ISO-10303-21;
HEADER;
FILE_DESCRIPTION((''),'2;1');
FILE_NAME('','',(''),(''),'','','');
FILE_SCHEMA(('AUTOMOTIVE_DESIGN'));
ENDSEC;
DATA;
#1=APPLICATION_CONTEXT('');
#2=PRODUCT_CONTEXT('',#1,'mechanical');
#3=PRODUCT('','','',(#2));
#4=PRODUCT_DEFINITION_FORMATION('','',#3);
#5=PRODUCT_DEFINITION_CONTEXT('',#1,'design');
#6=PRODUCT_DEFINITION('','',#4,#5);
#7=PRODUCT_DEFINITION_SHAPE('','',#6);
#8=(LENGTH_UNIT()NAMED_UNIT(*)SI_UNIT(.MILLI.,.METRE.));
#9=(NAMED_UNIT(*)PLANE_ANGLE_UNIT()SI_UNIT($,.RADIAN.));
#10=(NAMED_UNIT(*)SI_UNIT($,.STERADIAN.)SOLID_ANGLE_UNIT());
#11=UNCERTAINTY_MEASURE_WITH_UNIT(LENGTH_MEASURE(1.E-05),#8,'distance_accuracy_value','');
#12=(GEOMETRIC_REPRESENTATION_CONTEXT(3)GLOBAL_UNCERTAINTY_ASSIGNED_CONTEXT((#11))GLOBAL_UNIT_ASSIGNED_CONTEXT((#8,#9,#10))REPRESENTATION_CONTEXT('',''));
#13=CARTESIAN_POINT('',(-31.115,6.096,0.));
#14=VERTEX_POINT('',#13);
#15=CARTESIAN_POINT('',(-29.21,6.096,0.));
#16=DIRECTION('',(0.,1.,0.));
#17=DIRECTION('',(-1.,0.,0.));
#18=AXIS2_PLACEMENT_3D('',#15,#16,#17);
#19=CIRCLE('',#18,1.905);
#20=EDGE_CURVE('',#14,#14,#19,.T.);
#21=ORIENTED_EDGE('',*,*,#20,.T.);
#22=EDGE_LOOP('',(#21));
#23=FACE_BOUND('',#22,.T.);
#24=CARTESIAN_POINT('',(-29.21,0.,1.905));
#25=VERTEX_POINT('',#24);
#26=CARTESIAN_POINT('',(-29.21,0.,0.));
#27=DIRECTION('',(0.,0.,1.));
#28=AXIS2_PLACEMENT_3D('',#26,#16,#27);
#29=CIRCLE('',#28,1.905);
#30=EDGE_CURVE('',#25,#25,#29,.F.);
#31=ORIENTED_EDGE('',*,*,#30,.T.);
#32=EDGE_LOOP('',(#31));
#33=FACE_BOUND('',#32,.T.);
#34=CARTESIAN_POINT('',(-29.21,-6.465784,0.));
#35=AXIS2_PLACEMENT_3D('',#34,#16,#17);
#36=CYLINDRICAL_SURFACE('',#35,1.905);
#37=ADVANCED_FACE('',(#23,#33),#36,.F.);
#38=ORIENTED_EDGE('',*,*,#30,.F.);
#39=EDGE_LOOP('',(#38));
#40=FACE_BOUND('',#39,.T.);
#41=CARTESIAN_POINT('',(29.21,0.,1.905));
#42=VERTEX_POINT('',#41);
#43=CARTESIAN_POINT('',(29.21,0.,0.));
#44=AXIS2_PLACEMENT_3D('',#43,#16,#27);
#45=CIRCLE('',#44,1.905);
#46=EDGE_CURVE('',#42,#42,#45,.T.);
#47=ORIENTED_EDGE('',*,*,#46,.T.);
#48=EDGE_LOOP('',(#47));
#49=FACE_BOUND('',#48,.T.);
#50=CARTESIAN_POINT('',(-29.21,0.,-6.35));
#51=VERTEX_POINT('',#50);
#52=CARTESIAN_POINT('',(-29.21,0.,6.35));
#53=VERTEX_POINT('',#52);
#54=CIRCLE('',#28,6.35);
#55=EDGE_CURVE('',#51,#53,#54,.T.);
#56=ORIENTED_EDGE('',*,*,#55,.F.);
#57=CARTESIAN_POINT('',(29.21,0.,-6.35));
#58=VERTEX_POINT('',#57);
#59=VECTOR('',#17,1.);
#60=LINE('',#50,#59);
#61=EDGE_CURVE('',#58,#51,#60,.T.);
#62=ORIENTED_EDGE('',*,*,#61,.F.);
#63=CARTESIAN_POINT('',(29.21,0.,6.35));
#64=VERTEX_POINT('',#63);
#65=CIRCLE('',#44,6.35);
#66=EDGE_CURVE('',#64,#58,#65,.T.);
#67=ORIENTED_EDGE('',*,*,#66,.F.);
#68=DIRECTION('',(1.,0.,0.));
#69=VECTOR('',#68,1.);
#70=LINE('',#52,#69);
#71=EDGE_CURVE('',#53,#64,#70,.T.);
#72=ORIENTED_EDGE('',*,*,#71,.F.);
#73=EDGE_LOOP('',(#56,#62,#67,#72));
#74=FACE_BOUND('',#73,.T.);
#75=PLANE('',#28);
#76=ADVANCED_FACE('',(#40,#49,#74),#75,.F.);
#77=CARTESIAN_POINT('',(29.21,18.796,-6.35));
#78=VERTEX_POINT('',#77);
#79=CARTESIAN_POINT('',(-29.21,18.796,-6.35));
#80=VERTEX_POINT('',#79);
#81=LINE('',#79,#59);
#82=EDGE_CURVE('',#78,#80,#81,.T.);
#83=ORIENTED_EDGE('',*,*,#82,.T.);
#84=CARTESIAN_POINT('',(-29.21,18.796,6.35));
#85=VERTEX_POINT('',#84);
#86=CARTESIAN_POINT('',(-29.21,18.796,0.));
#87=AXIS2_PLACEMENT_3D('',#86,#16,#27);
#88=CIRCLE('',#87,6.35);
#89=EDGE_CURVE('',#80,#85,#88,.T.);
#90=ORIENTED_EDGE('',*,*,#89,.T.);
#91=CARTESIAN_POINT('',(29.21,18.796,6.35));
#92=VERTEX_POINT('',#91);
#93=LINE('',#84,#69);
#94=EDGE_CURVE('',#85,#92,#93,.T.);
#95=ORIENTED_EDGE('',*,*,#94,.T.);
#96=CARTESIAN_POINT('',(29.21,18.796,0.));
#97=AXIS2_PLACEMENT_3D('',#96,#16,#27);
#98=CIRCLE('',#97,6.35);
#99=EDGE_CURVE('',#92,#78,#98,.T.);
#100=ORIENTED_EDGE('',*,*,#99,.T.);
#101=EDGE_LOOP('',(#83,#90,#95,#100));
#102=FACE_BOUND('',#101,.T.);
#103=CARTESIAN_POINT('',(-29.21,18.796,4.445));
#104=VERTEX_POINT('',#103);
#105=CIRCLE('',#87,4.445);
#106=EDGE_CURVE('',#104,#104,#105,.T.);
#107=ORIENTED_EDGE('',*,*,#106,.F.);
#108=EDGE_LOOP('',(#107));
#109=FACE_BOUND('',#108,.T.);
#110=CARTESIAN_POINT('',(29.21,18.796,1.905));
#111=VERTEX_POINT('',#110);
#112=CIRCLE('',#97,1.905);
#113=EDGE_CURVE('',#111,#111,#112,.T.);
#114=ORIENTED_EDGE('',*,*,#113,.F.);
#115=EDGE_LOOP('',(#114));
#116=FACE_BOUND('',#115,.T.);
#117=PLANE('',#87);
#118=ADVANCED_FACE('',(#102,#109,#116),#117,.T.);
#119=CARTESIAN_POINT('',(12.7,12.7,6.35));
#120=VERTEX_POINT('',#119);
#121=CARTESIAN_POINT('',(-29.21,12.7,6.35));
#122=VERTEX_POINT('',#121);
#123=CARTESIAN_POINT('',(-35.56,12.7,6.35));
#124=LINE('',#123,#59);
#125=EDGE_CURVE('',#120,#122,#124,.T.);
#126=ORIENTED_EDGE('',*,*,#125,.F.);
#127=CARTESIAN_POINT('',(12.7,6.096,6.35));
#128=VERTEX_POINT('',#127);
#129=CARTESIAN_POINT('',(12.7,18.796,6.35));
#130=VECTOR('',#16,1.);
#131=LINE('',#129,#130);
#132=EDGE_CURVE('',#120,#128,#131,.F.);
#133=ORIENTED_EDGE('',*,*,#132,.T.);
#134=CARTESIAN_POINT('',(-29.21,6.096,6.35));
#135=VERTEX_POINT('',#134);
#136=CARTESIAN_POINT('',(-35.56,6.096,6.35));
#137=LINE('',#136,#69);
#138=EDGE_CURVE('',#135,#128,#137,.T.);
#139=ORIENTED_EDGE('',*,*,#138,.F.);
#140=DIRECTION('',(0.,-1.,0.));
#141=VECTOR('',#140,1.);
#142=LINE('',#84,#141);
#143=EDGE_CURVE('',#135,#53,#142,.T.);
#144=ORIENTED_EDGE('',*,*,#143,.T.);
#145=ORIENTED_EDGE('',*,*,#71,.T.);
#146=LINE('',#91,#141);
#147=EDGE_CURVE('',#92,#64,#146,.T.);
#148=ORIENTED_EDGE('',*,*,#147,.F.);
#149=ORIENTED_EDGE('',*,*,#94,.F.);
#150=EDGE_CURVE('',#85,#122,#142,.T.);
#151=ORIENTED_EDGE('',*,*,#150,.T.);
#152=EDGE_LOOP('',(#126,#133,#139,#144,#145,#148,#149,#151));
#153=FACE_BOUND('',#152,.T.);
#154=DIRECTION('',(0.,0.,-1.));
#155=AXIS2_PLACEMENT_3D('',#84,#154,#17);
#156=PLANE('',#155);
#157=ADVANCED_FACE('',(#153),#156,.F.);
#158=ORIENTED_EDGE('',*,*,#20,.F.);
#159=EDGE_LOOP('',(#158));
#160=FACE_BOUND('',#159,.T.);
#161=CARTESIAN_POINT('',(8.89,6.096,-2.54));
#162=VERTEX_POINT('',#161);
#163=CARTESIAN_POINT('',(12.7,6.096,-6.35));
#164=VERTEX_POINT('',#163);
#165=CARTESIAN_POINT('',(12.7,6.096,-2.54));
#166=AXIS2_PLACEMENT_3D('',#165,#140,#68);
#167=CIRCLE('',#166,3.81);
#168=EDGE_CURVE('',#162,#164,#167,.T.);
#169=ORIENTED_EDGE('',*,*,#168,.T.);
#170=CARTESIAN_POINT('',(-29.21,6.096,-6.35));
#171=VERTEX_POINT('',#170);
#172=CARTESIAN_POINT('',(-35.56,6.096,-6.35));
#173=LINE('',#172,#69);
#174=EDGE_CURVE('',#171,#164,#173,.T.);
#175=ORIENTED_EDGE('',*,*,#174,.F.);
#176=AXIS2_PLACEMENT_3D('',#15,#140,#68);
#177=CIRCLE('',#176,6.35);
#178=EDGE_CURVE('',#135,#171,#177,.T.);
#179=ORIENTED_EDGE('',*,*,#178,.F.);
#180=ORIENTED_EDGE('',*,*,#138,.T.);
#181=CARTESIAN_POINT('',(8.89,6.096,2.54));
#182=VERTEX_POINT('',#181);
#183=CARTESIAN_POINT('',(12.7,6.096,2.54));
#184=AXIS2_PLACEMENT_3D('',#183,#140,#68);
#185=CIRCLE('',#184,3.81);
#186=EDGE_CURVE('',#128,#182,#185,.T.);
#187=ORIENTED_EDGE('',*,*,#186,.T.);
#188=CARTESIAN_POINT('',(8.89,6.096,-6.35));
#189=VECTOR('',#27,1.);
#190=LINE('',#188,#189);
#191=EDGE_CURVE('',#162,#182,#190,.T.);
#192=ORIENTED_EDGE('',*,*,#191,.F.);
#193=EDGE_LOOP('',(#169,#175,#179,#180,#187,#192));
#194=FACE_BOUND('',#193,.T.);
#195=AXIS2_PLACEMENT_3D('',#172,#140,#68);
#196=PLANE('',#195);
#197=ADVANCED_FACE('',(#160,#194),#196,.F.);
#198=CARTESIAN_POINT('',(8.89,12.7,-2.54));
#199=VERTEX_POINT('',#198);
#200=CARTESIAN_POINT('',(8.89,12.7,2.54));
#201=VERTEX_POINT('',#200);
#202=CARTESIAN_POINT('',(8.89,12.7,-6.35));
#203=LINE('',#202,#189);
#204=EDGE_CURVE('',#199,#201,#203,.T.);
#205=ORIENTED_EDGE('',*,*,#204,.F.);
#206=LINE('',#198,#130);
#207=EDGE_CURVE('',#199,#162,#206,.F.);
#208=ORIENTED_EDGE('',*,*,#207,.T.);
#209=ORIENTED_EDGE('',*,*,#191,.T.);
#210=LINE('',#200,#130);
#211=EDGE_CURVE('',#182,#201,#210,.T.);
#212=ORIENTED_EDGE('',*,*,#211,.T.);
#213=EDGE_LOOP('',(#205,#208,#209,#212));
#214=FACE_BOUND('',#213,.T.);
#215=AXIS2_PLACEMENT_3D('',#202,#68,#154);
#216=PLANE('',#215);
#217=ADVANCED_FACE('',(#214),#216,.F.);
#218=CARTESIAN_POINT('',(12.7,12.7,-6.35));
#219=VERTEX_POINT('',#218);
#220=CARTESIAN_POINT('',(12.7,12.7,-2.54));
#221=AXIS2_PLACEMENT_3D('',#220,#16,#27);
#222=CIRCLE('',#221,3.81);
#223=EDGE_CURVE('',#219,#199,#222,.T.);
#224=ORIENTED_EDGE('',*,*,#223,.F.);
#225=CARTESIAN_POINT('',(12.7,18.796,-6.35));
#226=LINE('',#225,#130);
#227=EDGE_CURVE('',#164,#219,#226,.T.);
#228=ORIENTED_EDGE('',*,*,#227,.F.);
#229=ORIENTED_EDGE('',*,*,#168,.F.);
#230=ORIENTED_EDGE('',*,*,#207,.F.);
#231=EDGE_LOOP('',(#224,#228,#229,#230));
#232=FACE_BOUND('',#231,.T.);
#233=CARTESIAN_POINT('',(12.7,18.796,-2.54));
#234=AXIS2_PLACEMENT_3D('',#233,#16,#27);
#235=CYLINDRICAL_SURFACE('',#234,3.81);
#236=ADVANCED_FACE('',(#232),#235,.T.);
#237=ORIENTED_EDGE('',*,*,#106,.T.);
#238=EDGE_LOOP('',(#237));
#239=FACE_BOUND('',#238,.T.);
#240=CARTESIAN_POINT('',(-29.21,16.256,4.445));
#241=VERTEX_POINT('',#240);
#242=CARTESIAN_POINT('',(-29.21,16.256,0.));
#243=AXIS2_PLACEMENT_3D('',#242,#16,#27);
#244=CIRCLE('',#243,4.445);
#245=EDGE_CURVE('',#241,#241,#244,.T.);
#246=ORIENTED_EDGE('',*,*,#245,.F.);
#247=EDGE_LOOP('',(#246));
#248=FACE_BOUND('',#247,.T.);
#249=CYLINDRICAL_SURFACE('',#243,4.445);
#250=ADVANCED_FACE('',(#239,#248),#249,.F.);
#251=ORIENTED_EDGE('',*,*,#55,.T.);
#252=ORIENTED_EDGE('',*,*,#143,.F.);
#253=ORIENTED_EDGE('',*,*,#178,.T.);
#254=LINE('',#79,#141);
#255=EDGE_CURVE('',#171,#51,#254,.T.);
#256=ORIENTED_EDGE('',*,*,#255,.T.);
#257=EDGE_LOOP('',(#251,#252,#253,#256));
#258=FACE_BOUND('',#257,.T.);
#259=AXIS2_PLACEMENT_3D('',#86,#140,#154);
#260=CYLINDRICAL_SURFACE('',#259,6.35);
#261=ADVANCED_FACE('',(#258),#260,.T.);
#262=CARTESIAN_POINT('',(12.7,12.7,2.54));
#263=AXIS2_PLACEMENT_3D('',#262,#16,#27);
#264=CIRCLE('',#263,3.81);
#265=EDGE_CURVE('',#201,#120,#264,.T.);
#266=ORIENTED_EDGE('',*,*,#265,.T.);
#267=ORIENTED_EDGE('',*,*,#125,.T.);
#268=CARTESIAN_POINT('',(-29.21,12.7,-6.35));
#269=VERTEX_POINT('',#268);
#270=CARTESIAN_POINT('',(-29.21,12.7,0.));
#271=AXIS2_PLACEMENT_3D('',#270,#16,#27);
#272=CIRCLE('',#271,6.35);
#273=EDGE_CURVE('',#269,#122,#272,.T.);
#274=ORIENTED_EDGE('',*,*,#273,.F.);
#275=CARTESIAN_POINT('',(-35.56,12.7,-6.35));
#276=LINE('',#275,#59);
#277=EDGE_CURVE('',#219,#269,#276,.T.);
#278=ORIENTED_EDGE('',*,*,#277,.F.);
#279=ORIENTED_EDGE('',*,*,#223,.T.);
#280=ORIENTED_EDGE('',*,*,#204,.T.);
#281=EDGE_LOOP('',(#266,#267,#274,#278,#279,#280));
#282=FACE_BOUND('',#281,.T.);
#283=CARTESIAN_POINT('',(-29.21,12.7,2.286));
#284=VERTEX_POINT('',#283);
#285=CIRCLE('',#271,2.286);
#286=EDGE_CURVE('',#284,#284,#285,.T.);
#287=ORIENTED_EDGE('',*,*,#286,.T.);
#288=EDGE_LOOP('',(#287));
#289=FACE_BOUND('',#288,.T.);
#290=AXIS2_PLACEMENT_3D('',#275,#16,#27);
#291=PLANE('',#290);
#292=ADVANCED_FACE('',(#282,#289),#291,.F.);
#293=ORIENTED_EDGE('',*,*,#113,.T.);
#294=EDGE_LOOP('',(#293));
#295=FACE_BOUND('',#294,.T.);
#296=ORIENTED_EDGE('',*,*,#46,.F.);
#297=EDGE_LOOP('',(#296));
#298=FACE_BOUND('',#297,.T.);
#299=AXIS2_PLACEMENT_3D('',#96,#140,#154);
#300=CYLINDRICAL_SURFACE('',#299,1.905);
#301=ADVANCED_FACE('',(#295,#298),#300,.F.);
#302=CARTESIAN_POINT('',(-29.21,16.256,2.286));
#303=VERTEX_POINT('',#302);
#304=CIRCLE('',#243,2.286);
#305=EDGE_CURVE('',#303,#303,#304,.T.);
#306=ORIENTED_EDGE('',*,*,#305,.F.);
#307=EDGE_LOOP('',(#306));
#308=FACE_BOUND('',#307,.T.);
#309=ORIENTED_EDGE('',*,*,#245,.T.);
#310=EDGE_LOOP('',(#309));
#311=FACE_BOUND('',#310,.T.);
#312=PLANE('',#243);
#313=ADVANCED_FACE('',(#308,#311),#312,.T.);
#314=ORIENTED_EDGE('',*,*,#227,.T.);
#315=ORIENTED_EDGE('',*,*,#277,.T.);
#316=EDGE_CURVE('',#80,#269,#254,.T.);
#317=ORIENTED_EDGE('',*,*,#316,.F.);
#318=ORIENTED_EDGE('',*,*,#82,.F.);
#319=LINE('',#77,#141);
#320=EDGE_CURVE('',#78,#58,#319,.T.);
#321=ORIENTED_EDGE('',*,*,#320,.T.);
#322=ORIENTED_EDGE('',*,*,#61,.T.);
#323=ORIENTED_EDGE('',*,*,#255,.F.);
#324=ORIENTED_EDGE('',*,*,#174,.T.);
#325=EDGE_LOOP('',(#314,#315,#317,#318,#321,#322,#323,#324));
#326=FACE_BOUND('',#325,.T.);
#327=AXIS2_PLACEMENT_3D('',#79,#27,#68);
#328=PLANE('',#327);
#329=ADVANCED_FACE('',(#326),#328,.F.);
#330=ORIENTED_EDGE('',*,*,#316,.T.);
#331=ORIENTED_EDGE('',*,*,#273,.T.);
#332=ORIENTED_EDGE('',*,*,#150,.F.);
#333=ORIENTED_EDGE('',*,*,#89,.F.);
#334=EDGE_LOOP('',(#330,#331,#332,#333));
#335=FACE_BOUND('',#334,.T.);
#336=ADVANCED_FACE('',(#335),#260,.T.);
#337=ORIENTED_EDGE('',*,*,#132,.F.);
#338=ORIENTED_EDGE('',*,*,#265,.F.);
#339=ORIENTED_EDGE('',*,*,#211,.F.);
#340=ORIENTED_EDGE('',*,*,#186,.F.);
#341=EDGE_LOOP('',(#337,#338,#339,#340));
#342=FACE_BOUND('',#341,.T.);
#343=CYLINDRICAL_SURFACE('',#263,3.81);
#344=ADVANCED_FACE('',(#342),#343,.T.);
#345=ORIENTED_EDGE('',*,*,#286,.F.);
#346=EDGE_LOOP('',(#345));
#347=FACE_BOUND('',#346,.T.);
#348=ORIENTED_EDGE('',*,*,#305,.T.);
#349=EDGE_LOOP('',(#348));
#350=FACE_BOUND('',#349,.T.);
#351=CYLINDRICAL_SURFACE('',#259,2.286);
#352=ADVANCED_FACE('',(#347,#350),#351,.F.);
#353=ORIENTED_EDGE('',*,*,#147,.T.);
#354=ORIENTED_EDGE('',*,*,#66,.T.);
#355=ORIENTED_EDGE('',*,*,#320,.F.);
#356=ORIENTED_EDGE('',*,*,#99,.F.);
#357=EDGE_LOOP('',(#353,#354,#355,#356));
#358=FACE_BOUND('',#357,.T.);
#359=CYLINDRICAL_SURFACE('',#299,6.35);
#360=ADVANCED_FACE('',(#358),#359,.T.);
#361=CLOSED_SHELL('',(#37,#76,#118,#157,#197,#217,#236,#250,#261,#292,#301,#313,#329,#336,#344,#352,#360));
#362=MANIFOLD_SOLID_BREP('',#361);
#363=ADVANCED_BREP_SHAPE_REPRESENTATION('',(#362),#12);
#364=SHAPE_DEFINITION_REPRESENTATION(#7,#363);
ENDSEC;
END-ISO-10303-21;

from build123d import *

# Parameters (mm, degrees)
SKETCH1_R           = 2.286
SKETCH1_R_2         = 1.905
BOSS_EXTRUDE1_DEPTH = 18.796
SKETCH2_W           = 44.45
SKETCH2_H           = 6.604
CUT_EXTRUDE1_DEPTH  = 43.179298429
SKETCH3_R           = 4.445
CUT_EXTRUDE2_DEPTH  = 2.54
BOSS_EXTRUDE2_START = -6.096
SKETCH4_R           = 2.286
SKETCH4_R_2         = 1.905
BOSS_EXTRUDE2_DEPTH = 6.096
FILLET1_R           = 3.81


with BuildPart() as part:
    # Sketch1 → Boss-Extrude1 (new body)
    with BuildSketch(Plane(origin=(0, 0, 0), x_dir=(1, 0, 0), z_dir=(0, 1, 0))):
        with BuildLine():
            Line((-29.21, 6.35), (29.21, 6.35))
            ThreePointArc((29.21, 6.35), (35.56, 0), (29.21, -6.35))
            Line((29.21, -6.35), (-29.21, -6.35))
            ThreePointArc((-29.21, -6.35), (-35.56, 0), (-29.21, 6.35))
        make_face()
        with Locations(Location((-29.21, 0, 0), (0, 0, 270))):
            Circle(SKETCH1_R, mode=Mode.SUBTRACT)
        with Locations(Location((29.21, 0, 0), (0, 0, 270))):
            Circle(SKETCH1_R_2, mode=Mode.SUBTRACT)
    extrude(amount=BOSS_EXTRUDE1_DEPTH)

    # Sketch2 → Cut-Extrude1 (cut, through all)
    with BuildSketch(Plane.XY.offset(6.35)):
        with Locations((-13.335, 9.398)):
            Rectangle(SKETCH2_W, SKETCH2_H)
    extrude(amount=-CUT_EXTRUDE1_DEPTH, mode=Mode.SUBTRACT)

    # Sketch3 → Cut-Extrude2 (cut)
    with BuildSketch(Plane(origin=(0, 18.796, 0), x_dir=(1, 0, 0), z_dir=(0, 1, 0))):
        with Locations(Location((-29.21, 0, 0), (0, 0, 270))):
            Circle(SKETCH3_R)
    extrude(amount=-CUT_EXTRUDE2_DEPTH, mode=Mode.SUBTRACT)

    # Sketch4 → Boss-Extrude2 (add)
    with BuildSketch(Plane(origin=(0, 6.096, 0), x_dir=(1, 0, 0), z_dir=(0, 1, 0)).offset(BOSS_EXTRUDE2_START)):
        with Locations(Location((-29.21, 0, 0), (0, 0, 270))):
            Circle(SKETCH4_R)
        with Locations(Location((-29.21, 0, 0), (0, 0, 180))):
            Circle(SKETCH4_R_2, mode=Mode.SUBTRACT)
    extrude(amount=BOSS_EXTRUDE2_DEPTH)

    # Fillet1
    fillet1_edges = [part.edges().sort_by_distance(p)[0] for p in [
        (8.89, 9.398, 6.35),
        (8.89, 9.398, -6.35),
    ]]
    fillet(fillet1_edges, radius=FILLET1_R)


solid = part.part
